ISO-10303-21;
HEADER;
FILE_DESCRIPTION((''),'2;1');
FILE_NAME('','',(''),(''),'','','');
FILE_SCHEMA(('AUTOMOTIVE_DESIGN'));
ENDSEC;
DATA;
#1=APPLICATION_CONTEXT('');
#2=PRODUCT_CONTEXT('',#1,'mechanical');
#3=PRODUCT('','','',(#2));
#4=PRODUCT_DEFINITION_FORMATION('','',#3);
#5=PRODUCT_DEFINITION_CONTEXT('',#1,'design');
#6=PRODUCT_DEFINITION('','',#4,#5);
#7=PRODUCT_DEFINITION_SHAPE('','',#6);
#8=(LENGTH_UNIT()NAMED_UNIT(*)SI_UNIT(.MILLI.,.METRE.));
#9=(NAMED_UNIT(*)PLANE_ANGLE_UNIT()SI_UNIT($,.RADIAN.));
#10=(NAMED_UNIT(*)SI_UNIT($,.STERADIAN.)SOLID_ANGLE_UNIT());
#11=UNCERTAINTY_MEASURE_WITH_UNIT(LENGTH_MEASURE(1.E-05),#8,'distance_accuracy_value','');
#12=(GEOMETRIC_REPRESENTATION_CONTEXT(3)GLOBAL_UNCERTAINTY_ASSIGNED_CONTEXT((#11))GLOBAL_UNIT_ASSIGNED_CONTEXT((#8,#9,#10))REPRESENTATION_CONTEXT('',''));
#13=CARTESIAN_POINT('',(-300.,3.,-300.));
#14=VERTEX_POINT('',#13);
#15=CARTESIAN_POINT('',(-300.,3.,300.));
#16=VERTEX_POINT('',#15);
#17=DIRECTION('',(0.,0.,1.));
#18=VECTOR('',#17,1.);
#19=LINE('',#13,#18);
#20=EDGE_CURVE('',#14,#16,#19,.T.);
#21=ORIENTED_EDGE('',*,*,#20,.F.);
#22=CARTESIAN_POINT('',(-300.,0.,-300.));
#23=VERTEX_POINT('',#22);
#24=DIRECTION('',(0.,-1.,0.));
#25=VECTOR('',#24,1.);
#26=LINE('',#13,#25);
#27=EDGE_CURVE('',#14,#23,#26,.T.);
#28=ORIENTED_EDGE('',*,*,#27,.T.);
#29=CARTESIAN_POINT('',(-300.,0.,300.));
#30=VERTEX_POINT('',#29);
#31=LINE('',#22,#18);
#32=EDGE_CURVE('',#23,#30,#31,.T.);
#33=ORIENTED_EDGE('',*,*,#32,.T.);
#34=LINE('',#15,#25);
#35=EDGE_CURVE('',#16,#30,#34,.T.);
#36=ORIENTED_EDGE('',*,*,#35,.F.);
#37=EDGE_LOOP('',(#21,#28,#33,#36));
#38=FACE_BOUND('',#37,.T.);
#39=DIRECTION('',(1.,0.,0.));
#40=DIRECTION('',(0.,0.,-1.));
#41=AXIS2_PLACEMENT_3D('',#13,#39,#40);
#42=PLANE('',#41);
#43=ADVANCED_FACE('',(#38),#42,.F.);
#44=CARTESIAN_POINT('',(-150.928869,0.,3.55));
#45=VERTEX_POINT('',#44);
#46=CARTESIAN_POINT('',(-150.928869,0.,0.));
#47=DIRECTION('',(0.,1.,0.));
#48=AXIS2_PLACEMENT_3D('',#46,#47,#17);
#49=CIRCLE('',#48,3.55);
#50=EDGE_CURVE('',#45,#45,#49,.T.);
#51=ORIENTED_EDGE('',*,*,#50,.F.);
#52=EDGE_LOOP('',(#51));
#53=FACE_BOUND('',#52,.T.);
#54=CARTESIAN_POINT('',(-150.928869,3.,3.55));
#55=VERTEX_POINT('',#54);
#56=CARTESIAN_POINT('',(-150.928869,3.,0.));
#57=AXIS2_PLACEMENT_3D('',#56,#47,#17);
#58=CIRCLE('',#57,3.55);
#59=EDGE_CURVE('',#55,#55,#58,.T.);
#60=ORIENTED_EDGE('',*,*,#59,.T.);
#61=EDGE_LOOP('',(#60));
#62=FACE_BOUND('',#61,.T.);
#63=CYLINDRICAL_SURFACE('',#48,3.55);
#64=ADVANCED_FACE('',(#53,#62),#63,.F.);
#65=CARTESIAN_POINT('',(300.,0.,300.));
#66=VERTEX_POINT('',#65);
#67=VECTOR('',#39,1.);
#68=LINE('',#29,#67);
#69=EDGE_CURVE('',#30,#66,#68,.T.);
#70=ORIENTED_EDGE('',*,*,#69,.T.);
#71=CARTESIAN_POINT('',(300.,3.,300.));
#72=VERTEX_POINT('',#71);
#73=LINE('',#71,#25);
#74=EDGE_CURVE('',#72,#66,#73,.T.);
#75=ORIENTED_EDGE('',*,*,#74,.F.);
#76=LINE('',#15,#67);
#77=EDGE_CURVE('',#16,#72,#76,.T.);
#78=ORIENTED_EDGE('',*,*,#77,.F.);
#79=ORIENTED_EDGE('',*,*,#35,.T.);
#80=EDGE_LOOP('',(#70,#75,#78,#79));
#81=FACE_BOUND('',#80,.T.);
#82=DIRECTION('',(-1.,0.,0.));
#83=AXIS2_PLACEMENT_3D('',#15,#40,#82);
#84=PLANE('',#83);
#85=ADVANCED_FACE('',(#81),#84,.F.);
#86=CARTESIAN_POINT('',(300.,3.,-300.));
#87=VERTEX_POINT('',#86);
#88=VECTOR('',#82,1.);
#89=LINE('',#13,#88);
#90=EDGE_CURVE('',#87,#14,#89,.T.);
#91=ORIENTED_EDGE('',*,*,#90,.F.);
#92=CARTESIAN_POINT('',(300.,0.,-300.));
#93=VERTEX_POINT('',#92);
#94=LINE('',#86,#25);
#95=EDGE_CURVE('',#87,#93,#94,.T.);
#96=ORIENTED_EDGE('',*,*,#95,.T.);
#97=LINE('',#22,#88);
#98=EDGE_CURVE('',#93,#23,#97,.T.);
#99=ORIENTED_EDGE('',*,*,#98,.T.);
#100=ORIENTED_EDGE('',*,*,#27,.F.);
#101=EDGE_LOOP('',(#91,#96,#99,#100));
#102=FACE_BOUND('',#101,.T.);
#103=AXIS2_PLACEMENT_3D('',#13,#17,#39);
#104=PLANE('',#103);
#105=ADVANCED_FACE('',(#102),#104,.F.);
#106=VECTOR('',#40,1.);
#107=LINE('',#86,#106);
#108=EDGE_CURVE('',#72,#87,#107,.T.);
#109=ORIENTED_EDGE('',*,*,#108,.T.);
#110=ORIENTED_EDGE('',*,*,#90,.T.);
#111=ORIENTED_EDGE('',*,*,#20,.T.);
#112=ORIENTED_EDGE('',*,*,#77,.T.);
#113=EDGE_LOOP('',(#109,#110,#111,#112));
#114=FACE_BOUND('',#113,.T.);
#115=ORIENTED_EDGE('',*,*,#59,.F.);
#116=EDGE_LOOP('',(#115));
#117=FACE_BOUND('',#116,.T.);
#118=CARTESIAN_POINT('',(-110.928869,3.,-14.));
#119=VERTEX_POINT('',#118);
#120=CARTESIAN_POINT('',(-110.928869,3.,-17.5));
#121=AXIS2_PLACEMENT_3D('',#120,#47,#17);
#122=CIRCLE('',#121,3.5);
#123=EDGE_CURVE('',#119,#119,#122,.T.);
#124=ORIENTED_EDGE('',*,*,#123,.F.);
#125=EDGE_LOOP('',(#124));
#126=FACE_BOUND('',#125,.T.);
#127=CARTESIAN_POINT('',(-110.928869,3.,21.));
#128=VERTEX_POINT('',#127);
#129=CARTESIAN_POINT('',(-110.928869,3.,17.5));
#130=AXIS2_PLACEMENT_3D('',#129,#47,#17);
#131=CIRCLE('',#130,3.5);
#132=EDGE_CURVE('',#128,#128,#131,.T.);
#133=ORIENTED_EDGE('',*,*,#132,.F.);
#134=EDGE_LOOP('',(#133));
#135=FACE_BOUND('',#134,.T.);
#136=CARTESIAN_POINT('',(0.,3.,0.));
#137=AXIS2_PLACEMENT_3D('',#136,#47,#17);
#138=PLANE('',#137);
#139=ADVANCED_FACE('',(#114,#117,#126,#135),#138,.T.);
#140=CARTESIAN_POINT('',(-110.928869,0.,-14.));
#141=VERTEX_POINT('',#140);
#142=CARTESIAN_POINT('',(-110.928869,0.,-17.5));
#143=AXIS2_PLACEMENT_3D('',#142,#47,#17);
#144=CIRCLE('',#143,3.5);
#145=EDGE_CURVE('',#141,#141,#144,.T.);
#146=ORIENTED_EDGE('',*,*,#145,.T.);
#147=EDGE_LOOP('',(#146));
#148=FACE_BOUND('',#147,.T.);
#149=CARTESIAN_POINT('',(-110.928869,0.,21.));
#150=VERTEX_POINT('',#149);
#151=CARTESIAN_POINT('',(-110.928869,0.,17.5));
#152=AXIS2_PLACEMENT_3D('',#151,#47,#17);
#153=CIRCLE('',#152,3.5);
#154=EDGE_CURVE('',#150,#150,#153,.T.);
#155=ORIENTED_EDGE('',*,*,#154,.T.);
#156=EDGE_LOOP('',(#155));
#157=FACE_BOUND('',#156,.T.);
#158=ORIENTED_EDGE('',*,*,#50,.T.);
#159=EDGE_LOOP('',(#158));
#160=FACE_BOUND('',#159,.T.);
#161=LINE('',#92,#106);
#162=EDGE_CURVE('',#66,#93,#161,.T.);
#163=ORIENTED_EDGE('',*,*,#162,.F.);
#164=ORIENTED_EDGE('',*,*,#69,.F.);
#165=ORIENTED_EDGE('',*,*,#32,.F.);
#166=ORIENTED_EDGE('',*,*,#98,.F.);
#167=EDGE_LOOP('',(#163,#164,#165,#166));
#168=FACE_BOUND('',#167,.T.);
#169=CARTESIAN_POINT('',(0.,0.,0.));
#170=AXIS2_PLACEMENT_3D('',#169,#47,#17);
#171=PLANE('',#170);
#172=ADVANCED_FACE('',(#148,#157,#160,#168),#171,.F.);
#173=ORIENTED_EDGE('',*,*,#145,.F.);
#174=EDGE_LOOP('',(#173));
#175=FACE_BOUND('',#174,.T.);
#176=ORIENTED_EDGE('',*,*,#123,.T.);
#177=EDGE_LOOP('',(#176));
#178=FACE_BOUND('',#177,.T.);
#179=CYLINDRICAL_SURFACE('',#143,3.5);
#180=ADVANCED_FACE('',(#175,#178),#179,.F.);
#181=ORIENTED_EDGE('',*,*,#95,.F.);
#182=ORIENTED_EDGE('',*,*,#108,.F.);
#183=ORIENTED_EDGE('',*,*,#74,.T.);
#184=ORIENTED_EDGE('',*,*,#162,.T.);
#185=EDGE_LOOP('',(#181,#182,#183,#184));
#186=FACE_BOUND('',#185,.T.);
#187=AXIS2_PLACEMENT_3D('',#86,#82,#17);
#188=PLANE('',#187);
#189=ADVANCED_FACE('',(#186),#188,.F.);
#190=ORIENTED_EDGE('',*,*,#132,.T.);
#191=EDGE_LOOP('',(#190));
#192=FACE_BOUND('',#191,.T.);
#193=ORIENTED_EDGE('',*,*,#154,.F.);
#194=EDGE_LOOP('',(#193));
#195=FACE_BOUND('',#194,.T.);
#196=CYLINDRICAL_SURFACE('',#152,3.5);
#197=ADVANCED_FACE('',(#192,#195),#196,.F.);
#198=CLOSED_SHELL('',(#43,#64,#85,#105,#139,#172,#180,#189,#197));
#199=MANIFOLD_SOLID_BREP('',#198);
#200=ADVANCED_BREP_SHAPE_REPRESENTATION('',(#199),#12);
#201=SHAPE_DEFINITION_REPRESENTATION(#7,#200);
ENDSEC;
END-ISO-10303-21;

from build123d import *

# Parameters (mm, degrees)
SKETCH1_W               = 600
SKETCH1_H               = 600
BOSS_EXTRUDE1_DEPTH     = 3
CUT_EXTRUDE1_DEPTH      = 425.274675181
CUT_EXTRUDE1_DEPTH_BACK = 425.274675181
SKETCH2_R               = 3.5
CUT_EXTRUDE2_DEPTH      = 425.274675181
CUT_EXTRUDE2_DEPTH_BACK = 425.274675181
SKETCH3_R               = 3.55


with BuildPart() as part:
    # Sketch1 → Boss-Extrude1 (new body)
    with BuildSketch(Plane(origin=(0, 0, 0), x_dir=(1, 0, 0), z_dir=(0, 1, 0))):
        Rectangle(SKETCH1_W, SKETCH1_H)
    extrude(amount=BOSS_EXTRUDE1_DEPTH)

    # Sketch2 → Cut-Extrude1 (cut, two sides: drawn at the far end of the back side and taken through both)
    with BuildSketch(Plane(origin=(0, 3, 0), x_dir=(1, 0, 0), z_dir=(0, 1, 0)).offset(-CUT_EXTRUDE1_DEPTH_BACK)):
        with Locations(Location((-110.928868976, -17.5, 0), (0, 0, 270))):
            Circle(SKETCH2_R)
        with Locations(Location((-110.928868976, 17.5, 0), (0, 0, 270))):
            Circle(SKETCH2_R)
    extrude(amount=CUT_EXTRUDE1_DEPTH + CUT_EXTRUDE1_DEPTH_BACK, mode=Mode.SUBTRACT)

    # Sketch3 → Cut-Extrude2 (cut, two sides: drawn at the far end of the back side and taken through both)
    with BuildSketch(Plane(origin=(0, 3, 0), x_dir=(1, 0, 0), z_dir=(0, 1, 0)).offset(-CUT_EXTRUDE2_DEPTH_BACK)):
        with Locations(Location((-150.928868976, 0, 0), (0, 0, 270))):
            Circle(SKETCH3_R)
    extrude(amount=CUT_EXTRUDE2_DEPTH + CUT_EXTRUDE2_DEPTH_BACK, mode=Mode.SUBTRACT)


solid = part.part
